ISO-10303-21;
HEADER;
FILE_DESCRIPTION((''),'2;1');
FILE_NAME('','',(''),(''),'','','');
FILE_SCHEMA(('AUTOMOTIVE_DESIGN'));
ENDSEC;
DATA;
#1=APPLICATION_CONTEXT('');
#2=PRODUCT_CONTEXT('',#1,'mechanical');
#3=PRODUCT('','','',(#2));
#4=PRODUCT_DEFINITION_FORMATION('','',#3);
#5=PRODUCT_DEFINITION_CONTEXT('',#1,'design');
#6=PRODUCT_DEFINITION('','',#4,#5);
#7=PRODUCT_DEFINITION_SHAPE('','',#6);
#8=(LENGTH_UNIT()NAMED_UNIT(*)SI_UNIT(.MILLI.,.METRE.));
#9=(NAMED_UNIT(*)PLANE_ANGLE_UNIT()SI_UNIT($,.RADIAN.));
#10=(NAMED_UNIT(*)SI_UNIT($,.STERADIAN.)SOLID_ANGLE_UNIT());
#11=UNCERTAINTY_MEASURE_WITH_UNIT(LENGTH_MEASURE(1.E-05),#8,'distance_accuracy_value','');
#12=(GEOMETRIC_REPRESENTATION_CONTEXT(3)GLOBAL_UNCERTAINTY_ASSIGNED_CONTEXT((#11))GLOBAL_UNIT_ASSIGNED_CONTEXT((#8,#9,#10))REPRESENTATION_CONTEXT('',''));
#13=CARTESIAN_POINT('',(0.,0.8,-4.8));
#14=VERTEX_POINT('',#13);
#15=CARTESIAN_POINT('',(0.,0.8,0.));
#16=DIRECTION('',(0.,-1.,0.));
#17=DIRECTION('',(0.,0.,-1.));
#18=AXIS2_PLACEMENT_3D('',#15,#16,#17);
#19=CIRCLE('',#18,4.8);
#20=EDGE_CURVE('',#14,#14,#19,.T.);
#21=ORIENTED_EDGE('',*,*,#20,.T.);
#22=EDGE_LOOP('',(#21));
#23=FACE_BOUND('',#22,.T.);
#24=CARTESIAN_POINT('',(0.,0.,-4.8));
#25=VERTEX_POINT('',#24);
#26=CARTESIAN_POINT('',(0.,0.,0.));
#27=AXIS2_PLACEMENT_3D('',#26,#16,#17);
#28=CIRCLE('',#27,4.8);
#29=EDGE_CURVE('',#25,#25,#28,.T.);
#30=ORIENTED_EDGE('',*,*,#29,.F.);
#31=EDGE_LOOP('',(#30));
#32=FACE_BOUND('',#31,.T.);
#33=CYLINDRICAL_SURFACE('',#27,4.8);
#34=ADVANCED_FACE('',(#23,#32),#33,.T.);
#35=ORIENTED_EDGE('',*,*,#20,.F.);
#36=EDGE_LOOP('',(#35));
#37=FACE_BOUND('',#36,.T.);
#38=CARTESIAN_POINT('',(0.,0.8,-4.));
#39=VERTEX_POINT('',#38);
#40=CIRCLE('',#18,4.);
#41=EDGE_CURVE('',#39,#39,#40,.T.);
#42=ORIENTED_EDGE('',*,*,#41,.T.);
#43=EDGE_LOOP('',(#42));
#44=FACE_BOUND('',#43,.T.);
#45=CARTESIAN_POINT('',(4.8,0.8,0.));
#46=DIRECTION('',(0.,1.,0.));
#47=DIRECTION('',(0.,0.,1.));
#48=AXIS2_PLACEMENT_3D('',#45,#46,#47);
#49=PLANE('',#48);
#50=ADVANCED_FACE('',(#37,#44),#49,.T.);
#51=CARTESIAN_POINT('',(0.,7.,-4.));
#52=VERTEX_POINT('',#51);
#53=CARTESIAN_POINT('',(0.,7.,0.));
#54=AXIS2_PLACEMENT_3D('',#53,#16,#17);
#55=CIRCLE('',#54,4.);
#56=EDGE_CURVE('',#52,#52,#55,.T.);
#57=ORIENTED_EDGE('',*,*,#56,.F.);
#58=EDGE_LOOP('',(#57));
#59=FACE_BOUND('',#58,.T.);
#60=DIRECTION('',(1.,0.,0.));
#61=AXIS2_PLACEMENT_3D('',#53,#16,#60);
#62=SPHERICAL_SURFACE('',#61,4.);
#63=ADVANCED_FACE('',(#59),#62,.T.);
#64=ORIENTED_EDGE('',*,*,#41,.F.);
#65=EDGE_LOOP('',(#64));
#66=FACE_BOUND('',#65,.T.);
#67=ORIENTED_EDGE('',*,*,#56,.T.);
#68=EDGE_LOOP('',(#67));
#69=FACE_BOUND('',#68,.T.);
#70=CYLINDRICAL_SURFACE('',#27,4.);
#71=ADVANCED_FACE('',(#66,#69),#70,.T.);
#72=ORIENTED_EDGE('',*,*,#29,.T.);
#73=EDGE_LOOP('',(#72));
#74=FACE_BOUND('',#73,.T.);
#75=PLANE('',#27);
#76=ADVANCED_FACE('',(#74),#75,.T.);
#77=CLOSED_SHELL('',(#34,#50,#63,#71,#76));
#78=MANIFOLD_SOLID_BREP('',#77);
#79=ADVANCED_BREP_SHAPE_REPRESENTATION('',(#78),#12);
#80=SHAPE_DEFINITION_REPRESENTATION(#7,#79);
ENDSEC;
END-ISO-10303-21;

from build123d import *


with BuildPart() as part:
    # Sketch1 → Revolve1 (revolve)
    with BuildSketch(Plane.XY):
        with BuildLine():
            Line((0, 0), (4.8, 0))
            Line((4.8, 0), (4.8, 0.8))
            Line((4.8, 0.8), (4, 0.8))
            Line((4, 0.8), (4, 7))
            ThreePointArc((4, 7), (2.828427125, 9.828427125), (0, 11))
            Line((0, 11), (0, 0))
        make_face()
    revolve(axis=Axis((0, 0, 0), (0, 1, 0)))


solid = part.part
